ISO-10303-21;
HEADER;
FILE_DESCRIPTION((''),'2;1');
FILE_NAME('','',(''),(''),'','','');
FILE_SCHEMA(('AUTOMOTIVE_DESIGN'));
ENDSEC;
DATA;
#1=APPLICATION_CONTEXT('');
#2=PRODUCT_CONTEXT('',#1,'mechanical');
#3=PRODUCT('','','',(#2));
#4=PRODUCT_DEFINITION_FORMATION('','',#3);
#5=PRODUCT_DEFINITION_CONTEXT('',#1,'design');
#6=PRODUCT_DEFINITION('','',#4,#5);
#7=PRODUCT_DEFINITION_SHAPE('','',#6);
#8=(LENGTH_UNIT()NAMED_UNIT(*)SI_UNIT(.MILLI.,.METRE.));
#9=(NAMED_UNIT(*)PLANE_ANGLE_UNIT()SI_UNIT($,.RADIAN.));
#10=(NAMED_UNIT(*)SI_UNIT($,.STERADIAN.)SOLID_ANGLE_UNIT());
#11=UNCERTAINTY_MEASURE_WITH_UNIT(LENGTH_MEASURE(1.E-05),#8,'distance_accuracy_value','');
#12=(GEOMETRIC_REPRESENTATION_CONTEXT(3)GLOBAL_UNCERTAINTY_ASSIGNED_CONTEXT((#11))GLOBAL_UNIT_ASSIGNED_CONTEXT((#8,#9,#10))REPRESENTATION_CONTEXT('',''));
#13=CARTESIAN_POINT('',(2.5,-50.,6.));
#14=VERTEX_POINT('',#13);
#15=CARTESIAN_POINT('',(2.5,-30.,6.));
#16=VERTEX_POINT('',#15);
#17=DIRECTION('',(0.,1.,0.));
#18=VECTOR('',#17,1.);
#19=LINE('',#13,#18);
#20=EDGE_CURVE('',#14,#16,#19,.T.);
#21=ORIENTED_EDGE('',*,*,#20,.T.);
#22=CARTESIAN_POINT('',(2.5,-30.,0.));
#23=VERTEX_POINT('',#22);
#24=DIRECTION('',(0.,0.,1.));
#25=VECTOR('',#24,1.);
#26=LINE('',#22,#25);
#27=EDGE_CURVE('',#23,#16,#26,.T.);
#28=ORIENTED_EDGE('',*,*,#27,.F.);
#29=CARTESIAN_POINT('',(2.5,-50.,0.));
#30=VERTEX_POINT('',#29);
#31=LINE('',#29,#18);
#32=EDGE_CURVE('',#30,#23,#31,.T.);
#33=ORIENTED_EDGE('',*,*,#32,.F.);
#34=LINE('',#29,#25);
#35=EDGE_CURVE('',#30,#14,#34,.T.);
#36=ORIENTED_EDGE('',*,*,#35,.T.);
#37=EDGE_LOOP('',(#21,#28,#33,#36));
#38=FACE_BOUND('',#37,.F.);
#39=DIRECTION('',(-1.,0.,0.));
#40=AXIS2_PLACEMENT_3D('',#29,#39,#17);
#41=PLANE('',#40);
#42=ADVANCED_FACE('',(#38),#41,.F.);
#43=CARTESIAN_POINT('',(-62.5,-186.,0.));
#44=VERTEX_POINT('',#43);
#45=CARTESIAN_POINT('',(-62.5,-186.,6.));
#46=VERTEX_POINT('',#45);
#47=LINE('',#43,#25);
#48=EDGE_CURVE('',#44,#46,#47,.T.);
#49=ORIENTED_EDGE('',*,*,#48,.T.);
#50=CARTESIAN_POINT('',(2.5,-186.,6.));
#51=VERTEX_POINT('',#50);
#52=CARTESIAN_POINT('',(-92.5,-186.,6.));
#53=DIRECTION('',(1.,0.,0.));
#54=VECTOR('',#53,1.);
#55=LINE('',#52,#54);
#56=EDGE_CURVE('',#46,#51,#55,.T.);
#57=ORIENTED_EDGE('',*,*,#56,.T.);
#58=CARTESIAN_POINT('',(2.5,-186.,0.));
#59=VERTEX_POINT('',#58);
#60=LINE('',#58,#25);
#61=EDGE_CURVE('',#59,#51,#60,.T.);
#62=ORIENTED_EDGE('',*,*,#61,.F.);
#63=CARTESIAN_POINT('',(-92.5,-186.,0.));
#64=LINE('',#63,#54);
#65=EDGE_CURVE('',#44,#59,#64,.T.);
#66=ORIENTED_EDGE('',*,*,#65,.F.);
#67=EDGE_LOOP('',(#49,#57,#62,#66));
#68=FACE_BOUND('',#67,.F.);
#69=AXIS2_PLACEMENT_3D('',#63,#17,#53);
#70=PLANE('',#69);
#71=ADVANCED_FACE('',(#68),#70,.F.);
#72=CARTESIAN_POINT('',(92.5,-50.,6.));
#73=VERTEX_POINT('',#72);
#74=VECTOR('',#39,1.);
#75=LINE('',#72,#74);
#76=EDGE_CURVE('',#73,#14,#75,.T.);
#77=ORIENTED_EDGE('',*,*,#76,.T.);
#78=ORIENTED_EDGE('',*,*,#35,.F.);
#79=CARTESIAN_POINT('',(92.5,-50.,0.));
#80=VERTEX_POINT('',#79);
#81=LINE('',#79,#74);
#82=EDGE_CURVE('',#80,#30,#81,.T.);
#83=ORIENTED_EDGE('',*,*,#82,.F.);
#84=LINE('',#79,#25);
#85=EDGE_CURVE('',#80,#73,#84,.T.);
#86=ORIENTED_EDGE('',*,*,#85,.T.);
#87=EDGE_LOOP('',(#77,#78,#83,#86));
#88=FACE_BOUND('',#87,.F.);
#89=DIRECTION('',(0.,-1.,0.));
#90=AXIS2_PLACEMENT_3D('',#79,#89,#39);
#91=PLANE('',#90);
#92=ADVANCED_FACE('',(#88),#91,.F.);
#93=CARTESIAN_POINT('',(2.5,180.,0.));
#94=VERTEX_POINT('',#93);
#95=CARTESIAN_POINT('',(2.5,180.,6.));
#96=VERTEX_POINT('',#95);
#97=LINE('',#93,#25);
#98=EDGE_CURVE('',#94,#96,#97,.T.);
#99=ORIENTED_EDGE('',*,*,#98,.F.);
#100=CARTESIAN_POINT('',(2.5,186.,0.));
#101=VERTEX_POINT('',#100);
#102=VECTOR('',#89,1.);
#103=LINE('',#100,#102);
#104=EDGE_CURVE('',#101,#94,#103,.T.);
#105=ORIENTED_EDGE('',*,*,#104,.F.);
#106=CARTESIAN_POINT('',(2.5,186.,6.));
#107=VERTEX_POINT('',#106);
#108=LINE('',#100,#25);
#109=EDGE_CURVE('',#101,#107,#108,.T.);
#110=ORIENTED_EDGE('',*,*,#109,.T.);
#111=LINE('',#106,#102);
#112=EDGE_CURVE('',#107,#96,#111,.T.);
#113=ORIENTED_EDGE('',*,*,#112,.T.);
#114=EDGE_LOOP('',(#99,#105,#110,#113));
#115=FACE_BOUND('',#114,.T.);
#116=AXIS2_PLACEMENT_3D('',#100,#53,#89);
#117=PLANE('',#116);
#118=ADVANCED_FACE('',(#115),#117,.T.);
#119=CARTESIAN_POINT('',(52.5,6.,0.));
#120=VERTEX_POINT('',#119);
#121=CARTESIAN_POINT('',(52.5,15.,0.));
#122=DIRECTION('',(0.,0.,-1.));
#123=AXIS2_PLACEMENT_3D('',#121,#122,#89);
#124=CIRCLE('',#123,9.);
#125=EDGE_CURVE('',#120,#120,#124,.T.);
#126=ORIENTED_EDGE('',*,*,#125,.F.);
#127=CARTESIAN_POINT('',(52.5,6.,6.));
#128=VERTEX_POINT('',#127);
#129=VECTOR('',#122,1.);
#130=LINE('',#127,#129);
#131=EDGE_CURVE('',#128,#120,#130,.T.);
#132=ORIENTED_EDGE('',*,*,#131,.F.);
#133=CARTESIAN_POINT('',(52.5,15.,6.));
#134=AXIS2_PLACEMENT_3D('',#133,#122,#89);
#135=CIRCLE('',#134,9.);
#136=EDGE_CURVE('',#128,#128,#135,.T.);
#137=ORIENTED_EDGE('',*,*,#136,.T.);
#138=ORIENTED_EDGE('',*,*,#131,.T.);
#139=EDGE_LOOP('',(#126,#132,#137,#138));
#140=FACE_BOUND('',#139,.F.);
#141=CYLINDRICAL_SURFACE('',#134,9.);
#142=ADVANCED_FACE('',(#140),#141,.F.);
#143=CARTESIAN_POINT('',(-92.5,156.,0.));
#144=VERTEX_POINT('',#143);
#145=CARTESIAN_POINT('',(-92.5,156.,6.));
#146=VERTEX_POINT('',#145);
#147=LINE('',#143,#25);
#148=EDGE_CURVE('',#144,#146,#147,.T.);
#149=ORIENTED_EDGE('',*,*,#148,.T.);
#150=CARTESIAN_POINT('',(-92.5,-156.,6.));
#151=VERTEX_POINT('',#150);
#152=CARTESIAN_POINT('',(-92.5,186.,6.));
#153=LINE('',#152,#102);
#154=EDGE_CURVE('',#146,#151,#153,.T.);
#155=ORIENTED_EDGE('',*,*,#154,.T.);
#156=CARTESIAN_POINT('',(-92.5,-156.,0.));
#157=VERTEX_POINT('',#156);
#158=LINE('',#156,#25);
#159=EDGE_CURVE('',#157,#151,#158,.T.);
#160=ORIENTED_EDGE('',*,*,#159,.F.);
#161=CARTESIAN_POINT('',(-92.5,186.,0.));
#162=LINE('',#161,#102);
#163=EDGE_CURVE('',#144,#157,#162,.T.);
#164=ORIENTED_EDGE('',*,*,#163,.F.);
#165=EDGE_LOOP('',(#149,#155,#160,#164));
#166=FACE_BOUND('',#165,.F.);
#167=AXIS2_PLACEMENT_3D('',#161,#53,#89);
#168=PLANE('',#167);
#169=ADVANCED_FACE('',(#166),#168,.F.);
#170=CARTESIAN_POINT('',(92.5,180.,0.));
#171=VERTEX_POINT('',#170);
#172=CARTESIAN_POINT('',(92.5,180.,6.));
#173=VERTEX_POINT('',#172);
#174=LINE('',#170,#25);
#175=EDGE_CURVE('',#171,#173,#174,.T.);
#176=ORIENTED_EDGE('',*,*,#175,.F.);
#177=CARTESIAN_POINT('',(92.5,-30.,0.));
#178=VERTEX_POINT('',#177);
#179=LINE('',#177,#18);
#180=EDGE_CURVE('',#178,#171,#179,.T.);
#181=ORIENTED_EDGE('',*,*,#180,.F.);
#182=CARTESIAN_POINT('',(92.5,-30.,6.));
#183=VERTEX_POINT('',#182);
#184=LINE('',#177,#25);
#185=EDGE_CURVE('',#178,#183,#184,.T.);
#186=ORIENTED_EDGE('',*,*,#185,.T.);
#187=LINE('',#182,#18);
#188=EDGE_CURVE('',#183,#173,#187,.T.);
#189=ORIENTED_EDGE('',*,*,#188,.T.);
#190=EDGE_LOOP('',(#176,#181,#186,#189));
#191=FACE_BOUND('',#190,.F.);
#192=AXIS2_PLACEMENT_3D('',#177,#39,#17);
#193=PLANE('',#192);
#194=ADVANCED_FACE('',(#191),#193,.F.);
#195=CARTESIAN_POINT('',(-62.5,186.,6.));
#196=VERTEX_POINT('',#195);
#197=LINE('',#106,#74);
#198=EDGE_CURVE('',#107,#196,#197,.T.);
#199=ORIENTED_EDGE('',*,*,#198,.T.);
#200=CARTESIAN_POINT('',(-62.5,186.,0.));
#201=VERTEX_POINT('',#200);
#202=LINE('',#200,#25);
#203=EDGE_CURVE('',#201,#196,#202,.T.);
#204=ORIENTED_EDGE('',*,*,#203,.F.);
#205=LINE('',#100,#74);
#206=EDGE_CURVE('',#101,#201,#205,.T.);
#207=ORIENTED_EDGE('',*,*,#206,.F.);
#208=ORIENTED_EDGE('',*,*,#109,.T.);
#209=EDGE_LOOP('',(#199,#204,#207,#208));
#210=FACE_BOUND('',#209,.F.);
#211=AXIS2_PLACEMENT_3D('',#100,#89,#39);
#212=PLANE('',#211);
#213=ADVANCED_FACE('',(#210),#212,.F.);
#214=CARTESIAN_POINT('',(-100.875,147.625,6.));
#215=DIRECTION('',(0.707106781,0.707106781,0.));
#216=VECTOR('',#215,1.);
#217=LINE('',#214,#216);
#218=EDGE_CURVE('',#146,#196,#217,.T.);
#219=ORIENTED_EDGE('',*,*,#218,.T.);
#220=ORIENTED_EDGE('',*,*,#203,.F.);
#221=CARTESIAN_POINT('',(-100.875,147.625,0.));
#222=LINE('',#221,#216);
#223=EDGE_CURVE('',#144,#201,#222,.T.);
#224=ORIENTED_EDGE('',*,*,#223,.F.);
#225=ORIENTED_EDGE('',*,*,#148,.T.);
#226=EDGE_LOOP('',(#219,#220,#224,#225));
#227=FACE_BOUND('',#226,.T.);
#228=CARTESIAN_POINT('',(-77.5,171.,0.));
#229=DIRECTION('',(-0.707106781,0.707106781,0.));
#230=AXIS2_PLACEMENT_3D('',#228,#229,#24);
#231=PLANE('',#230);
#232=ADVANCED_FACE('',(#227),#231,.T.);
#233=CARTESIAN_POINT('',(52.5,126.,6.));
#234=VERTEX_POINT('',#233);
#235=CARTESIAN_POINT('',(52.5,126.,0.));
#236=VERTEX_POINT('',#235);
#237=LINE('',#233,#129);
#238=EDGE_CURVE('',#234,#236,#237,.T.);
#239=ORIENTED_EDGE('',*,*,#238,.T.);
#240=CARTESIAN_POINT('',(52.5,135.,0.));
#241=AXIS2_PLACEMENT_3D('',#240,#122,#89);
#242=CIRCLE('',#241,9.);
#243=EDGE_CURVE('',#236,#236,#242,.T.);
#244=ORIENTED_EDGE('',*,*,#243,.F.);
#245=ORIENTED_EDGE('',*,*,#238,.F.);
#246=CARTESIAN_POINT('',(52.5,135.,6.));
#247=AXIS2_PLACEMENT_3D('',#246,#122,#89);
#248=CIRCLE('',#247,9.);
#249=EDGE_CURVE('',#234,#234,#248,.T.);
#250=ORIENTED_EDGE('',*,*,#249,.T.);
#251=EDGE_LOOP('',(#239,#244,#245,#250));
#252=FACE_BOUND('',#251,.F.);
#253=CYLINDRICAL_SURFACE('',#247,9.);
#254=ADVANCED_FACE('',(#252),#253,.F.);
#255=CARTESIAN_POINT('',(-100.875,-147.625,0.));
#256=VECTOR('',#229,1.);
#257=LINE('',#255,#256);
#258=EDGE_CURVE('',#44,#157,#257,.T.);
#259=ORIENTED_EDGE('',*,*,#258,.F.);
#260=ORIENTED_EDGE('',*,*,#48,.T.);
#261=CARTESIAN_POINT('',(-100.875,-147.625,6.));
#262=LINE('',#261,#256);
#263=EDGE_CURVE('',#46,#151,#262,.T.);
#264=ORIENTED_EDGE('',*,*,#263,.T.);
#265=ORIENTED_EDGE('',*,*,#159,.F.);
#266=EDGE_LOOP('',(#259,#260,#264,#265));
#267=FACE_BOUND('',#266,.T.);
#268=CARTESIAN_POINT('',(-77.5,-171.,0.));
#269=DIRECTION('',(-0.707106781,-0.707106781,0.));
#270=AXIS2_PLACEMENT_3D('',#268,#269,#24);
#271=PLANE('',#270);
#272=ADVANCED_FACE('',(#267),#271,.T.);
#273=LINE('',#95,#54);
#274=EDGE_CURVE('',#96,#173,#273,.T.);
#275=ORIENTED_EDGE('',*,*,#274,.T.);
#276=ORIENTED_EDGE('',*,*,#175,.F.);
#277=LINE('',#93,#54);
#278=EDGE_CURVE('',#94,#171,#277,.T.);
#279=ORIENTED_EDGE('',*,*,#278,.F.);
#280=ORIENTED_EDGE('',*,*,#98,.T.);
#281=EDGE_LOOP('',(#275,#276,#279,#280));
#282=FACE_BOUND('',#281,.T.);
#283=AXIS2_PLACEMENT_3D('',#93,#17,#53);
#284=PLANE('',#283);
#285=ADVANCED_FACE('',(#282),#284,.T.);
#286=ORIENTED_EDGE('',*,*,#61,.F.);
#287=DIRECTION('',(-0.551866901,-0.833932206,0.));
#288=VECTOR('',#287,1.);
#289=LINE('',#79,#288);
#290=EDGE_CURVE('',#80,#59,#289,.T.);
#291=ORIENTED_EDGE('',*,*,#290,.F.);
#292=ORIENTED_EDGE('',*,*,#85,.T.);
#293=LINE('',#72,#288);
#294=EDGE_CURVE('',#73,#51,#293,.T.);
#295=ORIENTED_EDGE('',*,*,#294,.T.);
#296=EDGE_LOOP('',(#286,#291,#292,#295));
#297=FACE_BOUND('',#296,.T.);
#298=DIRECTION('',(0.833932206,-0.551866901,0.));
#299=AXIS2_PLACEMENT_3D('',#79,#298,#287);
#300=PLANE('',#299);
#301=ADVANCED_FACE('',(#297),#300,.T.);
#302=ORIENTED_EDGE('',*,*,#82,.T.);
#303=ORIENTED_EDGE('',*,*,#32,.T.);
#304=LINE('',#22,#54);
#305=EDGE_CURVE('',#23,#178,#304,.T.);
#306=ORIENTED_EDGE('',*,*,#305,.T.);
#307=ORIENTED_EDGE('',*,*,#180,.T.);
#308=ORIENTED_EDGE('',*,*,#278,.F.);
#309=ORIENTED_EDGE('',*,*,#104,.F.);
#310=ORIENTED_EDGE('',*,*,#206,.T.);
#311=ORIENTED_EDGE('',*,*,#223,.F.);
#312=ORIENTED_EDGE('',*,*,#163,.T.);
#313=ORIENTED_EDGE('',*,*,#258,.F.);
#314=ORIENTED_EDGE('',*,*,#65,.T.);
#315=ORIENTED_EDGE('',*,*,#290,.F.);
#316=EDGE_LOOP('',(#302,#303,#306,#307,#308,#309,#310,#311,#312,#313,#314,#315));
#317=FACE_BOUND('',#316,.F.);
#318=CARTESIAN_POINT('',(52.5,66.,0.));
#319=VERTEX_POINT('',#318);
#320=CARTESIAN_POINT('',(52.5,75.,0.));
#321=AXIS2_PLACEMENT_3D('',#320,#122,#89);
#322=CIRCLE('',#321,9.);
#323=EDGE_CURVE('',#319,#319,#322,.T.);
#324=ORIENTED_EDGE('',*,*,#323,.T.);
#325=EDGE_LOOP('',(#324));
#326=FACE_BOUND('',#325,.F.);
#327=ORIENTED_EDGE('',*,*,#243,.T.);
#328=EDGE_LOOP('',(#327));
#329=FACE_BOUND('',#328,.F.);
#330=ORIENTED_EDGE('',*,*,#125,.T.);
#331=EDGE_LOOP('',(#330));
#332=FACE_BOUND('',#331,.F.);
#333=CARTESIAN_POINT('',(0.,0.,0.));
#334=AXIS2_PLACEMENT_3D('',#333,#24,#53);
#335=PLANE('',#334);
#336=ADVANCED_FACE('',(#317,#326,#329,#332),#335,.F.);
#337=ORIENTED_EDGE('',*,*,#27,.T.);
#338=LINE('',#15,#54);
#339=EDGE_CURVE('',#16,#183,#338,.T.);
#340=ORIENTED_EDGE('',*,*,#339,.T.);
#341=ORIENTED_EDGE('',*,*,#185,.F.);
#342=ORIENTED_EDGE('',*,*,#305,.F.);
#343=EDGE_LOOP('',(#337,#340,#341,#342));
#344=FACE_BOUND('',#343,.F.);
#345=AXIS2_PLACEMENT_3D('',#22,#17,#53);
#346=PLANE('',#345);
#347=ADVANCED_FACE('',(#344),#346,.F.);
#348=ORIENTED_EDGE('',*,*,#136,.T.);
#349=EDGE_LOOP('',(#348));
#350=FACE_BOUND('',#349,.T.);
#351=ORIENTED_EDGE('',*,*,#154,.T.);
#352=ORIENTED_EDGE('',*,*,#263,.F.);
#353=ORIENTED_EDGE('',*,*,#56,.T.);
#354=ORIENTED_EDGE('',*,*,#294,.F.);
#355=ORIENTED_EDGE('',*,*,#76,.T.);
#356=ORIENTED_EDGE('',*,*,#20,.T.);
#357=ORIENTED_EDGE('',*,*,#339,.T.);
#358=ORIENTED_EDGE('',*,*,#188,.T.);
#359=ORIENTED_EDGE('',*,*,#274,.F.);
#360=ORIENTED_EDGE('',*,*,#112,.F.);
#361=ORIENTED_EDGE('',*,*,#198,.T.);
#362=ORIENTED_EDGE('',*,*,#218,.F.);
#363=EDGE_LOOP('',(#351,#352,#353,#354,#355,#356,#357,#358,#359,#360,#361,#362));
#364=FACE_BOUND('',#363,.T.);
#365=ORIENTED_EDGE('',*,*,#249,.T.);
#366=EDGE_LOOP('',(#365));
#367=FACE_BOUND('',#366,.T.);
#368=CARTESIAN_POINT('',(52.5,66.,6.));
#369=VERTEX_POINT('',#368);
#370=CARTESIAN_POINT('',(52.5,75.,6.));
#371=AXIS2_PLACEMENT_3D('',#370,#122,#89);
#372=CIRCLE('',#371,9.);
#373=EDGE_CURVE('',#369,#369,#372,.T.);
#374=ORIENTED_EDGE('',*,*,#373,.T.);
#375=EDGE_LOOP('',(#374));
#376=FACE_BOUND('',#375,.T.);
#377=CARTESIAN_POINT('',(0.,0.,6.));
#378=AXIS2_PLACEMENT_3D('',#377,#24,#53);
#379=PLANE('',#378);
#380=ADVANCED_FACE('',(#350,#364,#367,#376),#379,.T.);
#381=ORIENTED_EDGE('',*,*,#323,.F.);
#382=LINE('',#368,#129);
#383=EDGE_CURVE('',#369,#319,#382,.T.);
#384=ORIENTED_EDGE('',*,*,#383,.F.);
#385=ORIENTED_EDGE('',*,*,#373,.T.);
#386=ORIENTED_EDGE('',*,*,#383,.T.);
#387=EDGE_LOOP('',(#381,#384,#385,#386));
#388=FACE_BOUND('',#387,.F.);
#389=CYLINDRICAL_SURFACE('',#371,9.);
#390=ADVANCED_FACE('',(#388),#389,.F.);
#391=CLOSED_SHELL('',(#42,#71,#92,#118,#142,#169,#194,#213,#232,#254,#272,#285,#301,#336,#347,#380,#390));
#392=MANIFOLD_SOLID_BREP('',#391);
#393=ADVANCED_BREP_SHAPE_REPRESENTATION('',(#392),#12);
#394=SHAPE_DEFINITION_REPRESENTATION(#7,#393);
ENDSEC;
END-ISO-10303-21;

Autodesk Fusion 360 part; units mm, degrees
sketch "スケッチ1" plane through (0, 0, 0) normal (0, 0, 1) x (1, 0, 0)
  line L0 (2.5, 186) -> (-92.5, 186)
  line L1 (-92.5, 186) -> (-92.5, -186)
  line L2 (-92.5, -186) -> (2.5, -186)
  line L3 (92.5, -30) -> (92.5, 180)
  line L4 (89.5161, 180) -> (-92.5, -186) construction
  line L5 (-92.5, 186) -> (53.8847, -108.352) construction
  line L6 (2.5, 186) -> (2.5, 180)
  line L7 (2.5, 180) -> (92.5, 180)
  line L8 (-92.5, -186) -> (2.5, -186) construction
  line L9 (92.5, -50) -> (2.5, -186)
  line L10 (92.5, -50) -> (2.5, -50)
  line L11 (2.5, -50) -> (2.5, -30)
  line L12 (2.5, -30) -> (92.5, -30)
  dimension "d2" = 372
  dimension "d5" = 95
  dimension "d7" = 90
  dimension "d8" = 20
extrude "押し出し1" add sketch "スケッチ1" along normal blind 6
chamfer "面取り1" distance 30 angle 45 2 edges at (-92.5, -186, 3) (-92.5, 186, 3)
sketch "スケッチ2" plane through (0, 0, 6) normal (0, 0, 1) x (-1, 0, 0)
  line L0 (62.5, -186) -> (92.5, -156)
  line L1 (92.5, -156) -> (92.5, 156)
  line L2 (92.5, 156) -> (62.5, 186)
  line L3 (62.5, 186) -> (-2.5, 186)
  line L4 (-2.5, 186) -> (-92.5, 50)
  line L5 (-92.5, 50) -> (-2.5, 50)
  line L6 (-2.5, 50) -> (-2.5, 30)
  line L7 (-2.5, 30) -> (-92.5, 30)
  line L8 (-92.5, 30) -> (-92.5, -180)
  line L9 (-92.5, -180) -> (-2.5, -180)
  line L10 (-2.5, -180) -> (-2.5, -186)
  line L11 (-2.5, -186) -> (62.5, -186)
  line L12 (-92.5, -180) -> (-52.5, -180) construction
  line L13 (-52.5, -180) -> (-52.5, -135) construction
  line L14 (-52.5, -135) -> (-92.5, -135) construction
  line L15 (-92.5, -135) -> (-92.5, -180) construction
  line L16 (-52.5, -135) -> (-52.5, -75) construction
  line L17 (-52.5, -75) -> (-52.5, -15) construction
  point P0 (-52.5, -135)
  point P1 (-52.5, -75)
  dimension "d12" = 40
  dimension "d13" = 45
  dimension "d14" = 60
  dimension "d15" = 60
hole "穴1" at (52.5, 135, 6) at (52.5, 75, 6) at (52.5, 15, 6) direction (0, 0, -1) diameter 18 end through all
equation "d5 = 30 mm + 65 mm"
